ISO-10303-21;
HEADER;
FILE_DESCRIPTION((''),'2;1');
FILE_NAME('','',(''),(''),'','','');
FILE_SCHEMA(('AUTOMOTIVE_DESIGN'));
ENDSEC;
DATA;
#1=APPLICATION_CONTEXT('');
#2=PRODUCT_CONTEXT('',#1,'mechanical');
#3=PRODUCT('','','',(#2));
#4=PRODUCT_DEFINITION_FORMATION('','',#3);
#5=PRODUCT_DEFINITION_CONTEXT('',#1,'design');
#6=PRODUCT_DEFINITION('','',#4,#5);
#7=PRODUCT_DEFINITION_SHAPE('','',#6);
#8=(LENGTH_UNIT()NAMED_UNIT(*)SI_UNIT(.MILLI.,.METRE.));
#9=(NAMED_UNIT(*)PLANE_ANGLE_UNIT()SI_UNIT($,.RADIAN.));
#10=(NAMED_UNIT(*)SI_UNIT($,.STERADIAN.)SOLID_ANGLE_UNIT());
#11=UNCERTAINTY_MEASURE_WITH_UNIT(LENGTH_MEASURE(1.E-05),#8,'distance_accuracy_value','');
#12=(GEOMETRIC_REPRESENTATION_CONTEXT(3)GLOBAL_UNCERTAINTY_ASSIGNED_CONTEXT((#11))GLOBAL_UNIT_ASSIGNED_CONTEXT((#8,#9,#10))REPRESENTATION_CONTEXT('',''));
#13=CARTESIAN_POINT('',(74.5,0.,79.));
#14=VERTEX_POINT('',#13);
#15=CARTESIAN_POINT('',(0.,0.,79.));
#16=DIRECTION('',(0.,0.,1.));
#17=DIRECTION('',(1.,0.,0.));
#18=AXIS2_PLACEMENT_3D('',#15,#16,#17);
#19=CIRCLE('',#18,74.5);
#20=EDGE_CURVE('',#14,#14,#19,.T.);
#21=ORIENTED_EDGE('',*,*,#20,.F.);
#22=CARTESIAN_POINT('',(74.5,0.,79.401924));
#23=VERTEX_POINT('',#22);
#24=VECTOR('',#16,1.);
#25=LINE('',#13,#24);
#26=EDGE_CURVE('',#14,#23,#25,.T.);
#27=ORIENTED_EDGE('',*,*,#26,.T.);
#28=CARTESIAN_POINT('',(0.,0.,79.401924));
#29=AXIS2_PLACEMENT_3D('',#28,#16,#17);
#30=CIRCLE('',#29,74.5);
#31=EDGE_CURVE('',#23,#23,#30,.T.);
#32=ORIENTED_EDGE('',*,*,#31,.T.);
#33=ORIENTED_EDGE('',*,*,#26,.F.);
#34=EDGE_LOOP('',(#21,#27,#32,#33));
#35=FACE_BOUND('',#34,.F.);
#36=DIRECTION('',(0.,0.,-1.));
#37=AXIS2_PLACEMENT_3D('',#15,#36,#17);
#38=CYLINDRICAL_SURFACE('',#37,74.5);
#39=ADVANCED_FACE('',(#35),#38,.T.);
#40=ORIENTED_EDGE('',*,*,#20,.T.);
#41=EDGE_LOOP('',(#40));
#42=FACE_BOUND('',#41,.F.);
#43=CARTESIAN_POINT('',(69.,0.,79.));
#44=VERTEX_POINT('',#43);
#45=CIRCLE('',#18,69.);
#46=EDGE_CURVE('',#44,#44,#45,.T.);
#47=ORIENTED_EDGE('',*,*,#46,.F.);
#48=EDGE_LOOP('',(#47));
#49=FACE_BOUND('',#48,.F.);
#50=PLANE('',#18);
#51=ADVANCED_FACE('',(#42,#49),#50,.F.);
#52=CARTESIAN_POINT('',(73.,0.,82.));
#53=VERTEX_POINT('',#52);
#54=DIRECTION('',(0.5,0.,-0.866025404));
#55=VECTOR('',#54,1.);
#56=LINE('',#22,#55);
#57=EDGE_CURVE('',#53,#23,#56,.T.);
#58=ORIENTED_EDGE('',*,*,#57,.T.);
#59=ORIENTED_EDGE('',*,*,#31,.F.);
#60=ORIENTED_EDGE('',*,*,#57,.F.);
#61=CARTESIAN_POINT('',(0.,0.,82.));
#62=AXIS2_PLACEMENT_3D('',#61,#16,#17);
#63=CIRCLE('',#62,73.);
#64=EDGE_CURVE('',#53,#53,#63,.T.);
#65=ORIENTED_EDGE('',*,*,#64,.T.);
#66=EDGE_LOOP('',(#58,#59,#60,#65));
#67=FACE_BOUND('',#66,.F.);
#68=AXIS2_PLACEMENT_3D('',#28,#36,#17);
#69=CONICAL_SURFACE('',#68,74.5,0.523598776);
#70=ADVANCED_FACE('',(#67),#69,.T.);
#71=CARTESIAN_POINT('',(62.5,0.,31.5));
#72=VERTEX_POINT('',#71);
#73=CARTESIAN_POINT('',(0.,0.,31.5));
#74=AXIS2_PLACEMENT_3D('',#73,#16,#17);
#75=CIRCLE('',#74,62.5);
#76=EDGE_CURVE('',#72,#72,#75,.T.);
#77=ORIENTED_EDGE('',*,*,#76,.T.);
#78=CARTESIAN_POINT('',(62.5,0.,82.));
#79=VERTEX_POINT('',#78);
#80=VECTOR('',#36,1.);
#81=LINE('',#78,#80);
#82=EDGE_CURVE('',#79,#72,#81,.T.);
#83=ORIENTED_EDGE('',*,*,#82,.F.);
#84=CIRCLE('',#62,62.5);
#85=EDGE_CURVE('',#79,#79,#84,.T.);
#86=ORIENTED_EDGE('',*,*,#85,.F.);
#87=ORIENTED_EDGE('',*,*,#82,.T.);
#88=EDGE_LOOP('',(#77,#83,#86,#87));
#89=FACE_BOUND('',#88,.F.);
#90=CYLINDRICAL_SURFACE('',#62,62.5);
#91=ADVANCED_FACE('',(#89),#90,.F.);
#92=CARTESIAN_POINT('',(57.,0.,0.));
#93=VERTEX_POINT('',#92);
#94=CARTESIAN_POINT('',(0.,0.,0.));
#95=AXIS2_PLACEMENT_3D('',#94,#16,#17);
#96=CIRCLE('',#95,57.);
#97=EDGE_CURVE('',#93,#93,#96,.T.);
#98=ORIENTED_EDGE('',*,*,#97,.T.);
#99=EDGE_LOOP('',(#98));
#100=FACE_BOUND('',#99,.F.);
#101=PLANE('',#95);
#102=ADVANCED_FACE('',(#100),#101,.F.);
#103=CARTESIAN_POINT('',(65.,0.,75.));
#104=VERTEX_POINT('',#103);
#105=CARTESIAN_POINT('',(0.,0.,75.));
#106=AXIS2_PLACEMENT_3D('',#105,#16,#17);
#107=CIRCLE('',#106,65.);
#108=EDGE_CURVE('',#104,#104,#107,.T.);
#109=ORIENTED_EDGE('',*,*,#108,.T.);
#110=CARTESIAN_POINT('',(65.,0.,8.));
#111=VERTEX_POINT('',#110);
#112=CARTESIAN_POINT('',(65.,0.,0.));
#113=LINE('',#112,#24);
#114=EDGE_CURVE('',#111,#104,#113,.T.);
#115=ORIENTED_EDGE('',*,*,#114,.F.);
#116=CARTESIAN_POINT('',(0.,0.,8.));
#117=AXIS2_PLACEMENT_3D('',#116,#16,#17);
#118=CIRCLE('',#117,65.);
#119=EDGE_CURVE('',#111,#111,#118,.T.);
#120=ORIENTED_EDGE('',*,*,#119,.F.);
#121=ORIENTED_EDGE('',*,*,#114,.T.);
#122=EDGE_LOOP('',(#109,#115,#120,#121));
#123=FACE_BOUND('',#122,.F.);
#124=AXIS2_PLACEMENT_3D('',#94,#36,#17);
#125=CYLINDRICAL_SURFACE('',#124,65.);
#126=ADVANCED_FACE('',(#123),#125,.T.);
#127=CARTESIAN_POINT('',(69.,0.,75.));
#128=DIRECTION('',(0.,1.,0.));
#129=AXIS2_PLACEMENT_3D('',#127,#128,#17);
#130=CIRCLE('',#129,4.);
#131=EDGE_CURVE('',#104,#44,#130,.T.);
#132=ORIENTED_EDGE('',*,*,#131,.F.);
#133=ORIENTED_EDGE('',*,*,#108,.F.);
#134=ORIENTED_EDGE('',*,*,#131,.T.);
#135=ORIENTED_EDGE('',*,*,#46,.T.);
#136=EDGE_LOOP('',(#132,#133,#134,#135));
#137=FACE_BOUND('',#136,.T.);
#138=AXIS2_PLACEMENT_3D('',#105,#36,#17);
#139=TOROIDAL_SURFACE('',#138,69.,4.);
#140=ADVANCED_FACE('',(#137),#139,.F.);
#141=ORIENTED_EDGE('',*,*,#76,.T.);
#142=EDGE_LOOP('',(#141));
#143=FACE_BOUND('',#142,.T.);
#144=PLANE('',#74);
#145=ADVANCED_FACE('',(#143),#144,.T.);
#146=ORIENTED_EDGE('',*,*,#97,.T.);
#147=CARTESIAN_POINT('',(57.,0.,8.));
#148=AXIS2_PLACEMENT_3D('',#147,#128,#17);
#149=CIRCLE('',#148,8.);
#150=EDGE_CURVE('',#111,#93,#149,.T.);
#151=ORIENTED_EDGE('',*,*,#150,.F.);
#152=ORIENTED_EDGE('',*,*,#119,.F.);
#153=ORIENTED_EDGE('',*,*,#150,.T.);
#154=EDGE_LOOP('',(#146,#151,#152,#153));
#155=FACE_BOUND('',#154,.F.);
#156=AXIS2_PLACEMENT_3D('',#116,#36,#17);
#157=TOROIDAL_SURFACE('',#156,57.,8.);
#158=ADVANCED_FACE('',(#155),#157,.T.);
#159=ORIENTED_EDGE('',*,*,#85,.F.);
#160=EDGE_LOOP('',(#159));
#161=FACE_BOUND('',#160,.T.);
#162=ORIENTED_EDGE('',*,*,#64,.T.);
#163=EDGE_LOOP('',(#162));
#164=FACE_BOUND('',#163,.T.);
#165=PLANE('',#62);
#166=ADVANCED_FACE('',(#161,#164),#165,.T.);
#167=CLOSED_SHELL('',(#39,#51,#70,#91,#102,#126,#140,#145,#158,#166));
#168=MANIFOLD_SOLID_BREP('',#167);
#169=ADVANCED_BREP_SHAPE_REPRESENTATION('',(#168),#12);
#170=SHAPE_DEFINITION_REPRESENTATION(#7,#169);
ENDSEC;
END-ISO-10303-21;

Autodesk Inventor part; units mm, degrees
ref_plane "YZ Plane" through (0, 0, 0) normal (1, 0, 0) x (0, 1, 0)
ref_plane "XZ Plane" through (0, 0, 0) normal (0, 1, 0) x (-1, 0, 0)
ref_plane "XY Plane" through (0, 0, 0) normal (0, 0, 1) x (1, 0, 0)
sketch "Esquisse1" plane through (0, 0, 0) normal (0, 0, 1) x (1, 0, 0)
  circle A0 centre (0, 0) radius 65
  dimension "d0" = 130
extrude "Extrusion1" add sketch "Esquisse1" along normal blind 79
sketch "Esquisse2" plane through (0, 0, 79) normal (0, 0, 1) x (1, 0, 0)
  circle A0 centre (0, 0) radius 74.5
  dimension "d3" = 149
extrude "Extrusion2" add sketch "Esquisse2" along normal blind 3
sketch "Esquisse3" plane through (0, 0, 82) normal (0, 0, 1) x (1, 0, 0)
  circle A0 centre (0, 0) radius 62.5
  dimension "d6" = 125
extrude "Extrusion3" cut sketch "Esquisse3" against normal blind 50.5
fillet "Congé1" radius 8 1 edges at (-65, 0, 0)
fillet "Congé2" radius 4 1 edges at (-65, 0, 79)
chamfer "Chanfrein1" distance 1.5 angle 60 1 edges at (-74.5, 0, 82) measured on face at (-31.6394, -62.7681, 82)
equation "\"nombredor\" = 1.61803"
equation "\"pi\" = 3.141593"
properties part number "Bol" material "Acier inoxydable"
